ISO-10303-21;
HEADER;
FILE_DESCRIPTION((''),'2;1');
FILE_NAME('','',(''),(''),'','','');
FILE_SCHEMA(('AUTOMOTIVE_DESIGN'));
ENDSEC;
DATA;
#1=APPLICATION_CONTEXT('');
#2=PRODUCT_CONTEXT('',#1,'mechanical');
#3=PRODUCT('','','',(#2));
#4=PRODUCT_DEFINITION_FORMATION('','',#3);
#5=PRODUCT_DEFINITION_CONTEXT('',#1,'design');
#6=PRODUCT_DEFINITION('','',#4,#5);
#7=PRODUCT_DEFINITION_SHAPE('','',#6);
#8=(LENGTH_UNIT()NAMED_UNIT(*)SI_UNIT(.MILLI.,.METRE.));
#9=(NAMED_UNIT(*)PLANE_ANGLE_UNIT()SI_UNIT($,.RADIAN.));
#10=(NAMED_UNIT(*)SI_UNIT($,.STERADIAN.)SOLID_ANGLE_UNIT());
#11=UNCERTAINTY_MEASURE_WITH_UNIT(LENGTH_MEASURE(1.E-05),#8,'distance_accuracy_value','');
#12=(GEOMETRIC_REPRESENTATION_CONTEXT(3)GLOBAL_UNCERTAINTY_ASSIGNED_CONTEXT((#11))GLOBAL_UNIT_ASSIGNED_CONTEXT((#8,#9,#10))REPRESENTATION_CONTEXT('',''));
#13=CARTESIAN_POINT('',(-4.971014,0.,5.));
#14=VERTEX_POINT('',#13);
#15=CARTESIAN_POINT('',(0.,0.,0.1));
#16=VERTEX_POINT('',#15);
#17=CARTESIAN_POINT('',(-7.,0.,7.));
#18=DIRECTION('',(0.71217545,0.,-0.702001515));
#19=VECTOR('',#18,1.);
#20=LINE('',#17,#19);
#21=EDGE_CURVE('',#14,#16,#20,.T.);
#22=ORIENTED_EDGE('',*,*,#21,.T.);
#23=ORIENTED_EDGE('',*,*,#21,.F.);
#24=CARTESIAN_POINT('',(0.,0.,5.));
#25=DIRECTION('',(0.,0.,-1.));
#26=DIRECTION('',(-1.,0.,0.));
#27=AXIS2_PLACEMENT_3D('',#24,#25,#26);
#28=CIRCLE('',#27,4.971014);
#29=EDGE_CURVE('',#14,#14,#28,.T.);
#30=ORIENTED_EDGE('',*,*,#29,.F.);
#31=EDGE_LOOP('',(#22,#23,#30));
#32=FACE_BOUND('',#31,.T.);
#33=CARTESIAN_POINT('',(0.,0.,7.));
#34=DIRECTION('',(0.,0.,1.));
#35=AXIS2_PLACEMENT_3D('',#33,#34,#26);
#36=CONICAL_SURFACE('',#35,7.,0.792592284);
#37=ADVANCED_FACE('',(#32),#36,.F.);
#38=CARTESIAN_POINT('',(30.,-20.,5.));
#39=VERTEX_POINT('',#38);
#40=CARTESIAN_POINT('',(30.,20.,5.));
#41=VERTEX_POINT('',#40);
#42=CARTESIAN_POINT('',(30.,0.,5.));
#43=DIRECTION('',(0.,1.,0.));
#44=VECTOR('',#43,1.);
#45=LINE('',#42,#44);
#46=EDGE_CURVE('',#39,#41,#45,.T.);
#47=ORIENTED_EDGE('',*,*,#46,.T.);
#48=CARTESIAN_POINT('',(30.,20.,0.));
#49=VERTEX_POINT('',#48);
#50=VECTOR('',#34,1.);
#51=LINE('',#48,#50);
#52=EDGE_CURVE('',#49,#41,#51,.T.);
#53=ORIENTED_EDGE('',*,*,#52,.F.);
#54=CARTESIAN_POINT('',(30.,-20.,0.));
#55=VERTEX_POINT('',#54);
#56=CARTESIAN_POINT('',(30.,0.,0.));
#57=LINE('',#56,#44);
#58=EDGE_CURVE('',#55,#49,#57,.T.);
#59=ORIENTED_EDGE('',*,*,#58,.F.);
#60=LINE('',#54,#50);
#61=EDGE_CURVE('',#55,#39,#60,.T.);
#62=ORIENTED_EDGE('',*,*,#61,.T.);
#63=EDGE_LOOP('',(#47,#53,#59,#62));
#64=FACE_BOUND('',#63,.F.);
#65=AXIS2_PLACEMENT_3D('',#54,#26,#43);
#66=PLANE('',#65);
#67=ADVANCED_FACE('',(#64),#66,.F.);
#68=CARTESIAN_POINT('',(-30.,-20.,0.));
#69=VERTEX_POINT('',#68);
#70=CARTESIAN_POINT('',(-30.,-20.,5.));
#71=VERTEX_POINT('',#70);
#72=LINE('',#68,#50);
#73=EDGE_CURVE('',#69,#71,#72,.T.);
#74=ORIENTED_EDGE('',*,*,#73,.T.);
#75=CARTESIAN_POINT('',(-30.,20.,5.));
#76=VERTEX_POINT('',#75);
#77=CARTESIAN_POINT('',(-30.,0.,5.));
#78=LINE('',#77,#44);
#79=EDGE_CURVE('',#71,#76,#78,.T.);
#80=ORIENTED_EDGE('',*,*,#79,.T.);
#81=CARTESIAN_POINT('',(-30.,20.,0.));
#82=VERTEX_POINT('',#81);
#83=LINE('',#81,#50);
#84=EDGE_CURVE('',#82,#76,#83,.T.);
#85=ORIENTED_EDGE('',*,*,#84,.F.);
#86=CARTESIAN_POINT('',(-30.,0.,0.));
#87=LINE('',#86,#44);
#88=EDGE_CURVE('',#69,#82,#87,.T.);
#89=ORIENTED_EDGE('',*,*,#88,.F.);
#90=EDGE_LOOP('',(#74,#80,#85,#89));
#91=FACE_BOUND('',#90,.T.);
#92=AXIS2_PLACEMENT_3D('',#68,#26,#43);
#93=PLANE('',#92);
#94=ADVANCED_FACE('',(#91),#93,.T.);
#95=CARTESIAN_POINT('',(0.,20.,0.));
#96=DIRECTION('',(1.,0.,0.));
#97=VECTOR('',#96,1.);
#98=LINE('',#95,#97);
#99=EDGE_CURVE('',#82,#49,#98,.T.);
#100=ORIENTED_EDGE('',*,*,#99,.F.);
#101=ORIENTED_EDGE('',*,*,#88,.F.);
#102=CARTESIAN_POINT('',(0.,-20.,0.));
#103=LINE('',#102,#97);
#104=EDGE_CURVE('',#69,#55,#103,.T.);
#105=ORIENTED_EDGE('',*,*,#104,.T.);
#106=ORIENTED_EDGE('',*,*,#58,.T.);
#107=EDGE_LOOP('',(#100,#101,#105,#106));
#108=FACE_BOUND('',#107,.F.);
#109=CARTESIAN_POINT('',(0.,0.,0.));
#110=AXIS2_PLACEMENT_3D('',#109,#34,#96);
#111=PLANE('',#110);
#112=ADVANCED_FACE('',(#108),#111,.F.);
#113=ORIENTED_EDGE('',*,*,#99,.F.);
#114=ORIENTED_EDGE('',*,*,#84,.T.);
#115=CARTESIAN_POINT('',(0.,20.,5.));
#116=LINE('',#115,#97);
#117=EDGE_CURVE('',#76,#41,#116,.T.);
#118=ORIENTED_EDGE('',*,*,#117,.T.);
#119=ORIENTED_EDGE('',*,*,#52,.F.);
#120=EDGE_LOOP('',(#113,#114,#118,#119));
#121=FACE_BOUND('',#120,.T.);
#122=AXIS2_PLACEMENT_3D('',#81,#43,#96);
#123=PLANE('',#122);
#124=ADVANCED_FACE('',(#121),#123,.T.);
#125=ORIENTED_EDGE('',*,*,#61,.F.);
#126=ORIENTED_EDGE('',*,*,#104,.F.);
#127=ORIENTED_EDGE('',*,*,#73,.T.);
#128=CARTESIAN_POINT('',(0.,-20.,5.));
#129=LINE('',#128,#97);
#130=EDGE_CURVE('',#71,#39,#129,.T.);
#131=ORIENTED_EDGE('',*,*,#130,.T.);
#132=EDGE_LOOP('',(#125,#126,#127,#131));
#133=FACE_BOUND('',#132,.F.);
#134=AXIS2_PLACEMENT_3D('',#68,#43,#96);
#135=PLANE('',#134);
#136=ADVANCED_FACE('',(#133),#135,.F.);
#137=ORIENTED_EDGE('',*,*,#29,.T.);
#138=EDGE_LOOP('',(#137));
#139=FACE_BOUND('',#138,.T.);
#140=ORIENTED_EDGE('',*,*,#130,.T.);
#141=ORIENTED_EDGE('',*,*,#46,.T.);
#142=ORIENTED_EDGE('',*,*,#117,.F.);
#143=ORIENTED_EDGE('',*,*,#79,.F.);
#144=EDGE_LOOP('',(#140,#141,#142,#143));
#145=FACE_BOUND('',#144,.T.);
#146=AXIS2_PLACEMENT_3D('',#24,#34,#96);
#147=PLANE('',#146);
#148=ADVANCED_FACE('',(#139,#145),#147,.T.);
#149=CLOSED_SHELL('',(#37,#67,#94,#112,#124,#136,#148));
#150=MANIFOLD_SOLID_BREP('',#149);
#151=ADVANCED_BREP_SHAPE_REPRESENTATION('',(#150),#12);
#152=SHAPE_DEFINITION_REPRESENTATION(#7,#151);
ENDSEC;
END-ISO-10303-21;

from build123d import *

# Parameters (mm, degrees)
F0_W     = 60
F0_H     = 40
F1_DEPTH = 5


with BuildPart() as f1:
    # F0 (on Top) → F1 (new body)
    with BuildSketch(Plane.XY):
        Rectangle(F0_W, F0_H)
    extrude(amount=F1_DEPTH)

    # F2 (on Front) → F3 (revolve, cut)
    with BuildSketch(Plane.XZ):
        Polygon((0, 7), (-7, 7), (0, 0.1), align=None)
    revolve(axis=Axis((0, 0, 3.55), (0, 0, 1)), mode=Mode.SUBTRACT)


solid = f1.part
